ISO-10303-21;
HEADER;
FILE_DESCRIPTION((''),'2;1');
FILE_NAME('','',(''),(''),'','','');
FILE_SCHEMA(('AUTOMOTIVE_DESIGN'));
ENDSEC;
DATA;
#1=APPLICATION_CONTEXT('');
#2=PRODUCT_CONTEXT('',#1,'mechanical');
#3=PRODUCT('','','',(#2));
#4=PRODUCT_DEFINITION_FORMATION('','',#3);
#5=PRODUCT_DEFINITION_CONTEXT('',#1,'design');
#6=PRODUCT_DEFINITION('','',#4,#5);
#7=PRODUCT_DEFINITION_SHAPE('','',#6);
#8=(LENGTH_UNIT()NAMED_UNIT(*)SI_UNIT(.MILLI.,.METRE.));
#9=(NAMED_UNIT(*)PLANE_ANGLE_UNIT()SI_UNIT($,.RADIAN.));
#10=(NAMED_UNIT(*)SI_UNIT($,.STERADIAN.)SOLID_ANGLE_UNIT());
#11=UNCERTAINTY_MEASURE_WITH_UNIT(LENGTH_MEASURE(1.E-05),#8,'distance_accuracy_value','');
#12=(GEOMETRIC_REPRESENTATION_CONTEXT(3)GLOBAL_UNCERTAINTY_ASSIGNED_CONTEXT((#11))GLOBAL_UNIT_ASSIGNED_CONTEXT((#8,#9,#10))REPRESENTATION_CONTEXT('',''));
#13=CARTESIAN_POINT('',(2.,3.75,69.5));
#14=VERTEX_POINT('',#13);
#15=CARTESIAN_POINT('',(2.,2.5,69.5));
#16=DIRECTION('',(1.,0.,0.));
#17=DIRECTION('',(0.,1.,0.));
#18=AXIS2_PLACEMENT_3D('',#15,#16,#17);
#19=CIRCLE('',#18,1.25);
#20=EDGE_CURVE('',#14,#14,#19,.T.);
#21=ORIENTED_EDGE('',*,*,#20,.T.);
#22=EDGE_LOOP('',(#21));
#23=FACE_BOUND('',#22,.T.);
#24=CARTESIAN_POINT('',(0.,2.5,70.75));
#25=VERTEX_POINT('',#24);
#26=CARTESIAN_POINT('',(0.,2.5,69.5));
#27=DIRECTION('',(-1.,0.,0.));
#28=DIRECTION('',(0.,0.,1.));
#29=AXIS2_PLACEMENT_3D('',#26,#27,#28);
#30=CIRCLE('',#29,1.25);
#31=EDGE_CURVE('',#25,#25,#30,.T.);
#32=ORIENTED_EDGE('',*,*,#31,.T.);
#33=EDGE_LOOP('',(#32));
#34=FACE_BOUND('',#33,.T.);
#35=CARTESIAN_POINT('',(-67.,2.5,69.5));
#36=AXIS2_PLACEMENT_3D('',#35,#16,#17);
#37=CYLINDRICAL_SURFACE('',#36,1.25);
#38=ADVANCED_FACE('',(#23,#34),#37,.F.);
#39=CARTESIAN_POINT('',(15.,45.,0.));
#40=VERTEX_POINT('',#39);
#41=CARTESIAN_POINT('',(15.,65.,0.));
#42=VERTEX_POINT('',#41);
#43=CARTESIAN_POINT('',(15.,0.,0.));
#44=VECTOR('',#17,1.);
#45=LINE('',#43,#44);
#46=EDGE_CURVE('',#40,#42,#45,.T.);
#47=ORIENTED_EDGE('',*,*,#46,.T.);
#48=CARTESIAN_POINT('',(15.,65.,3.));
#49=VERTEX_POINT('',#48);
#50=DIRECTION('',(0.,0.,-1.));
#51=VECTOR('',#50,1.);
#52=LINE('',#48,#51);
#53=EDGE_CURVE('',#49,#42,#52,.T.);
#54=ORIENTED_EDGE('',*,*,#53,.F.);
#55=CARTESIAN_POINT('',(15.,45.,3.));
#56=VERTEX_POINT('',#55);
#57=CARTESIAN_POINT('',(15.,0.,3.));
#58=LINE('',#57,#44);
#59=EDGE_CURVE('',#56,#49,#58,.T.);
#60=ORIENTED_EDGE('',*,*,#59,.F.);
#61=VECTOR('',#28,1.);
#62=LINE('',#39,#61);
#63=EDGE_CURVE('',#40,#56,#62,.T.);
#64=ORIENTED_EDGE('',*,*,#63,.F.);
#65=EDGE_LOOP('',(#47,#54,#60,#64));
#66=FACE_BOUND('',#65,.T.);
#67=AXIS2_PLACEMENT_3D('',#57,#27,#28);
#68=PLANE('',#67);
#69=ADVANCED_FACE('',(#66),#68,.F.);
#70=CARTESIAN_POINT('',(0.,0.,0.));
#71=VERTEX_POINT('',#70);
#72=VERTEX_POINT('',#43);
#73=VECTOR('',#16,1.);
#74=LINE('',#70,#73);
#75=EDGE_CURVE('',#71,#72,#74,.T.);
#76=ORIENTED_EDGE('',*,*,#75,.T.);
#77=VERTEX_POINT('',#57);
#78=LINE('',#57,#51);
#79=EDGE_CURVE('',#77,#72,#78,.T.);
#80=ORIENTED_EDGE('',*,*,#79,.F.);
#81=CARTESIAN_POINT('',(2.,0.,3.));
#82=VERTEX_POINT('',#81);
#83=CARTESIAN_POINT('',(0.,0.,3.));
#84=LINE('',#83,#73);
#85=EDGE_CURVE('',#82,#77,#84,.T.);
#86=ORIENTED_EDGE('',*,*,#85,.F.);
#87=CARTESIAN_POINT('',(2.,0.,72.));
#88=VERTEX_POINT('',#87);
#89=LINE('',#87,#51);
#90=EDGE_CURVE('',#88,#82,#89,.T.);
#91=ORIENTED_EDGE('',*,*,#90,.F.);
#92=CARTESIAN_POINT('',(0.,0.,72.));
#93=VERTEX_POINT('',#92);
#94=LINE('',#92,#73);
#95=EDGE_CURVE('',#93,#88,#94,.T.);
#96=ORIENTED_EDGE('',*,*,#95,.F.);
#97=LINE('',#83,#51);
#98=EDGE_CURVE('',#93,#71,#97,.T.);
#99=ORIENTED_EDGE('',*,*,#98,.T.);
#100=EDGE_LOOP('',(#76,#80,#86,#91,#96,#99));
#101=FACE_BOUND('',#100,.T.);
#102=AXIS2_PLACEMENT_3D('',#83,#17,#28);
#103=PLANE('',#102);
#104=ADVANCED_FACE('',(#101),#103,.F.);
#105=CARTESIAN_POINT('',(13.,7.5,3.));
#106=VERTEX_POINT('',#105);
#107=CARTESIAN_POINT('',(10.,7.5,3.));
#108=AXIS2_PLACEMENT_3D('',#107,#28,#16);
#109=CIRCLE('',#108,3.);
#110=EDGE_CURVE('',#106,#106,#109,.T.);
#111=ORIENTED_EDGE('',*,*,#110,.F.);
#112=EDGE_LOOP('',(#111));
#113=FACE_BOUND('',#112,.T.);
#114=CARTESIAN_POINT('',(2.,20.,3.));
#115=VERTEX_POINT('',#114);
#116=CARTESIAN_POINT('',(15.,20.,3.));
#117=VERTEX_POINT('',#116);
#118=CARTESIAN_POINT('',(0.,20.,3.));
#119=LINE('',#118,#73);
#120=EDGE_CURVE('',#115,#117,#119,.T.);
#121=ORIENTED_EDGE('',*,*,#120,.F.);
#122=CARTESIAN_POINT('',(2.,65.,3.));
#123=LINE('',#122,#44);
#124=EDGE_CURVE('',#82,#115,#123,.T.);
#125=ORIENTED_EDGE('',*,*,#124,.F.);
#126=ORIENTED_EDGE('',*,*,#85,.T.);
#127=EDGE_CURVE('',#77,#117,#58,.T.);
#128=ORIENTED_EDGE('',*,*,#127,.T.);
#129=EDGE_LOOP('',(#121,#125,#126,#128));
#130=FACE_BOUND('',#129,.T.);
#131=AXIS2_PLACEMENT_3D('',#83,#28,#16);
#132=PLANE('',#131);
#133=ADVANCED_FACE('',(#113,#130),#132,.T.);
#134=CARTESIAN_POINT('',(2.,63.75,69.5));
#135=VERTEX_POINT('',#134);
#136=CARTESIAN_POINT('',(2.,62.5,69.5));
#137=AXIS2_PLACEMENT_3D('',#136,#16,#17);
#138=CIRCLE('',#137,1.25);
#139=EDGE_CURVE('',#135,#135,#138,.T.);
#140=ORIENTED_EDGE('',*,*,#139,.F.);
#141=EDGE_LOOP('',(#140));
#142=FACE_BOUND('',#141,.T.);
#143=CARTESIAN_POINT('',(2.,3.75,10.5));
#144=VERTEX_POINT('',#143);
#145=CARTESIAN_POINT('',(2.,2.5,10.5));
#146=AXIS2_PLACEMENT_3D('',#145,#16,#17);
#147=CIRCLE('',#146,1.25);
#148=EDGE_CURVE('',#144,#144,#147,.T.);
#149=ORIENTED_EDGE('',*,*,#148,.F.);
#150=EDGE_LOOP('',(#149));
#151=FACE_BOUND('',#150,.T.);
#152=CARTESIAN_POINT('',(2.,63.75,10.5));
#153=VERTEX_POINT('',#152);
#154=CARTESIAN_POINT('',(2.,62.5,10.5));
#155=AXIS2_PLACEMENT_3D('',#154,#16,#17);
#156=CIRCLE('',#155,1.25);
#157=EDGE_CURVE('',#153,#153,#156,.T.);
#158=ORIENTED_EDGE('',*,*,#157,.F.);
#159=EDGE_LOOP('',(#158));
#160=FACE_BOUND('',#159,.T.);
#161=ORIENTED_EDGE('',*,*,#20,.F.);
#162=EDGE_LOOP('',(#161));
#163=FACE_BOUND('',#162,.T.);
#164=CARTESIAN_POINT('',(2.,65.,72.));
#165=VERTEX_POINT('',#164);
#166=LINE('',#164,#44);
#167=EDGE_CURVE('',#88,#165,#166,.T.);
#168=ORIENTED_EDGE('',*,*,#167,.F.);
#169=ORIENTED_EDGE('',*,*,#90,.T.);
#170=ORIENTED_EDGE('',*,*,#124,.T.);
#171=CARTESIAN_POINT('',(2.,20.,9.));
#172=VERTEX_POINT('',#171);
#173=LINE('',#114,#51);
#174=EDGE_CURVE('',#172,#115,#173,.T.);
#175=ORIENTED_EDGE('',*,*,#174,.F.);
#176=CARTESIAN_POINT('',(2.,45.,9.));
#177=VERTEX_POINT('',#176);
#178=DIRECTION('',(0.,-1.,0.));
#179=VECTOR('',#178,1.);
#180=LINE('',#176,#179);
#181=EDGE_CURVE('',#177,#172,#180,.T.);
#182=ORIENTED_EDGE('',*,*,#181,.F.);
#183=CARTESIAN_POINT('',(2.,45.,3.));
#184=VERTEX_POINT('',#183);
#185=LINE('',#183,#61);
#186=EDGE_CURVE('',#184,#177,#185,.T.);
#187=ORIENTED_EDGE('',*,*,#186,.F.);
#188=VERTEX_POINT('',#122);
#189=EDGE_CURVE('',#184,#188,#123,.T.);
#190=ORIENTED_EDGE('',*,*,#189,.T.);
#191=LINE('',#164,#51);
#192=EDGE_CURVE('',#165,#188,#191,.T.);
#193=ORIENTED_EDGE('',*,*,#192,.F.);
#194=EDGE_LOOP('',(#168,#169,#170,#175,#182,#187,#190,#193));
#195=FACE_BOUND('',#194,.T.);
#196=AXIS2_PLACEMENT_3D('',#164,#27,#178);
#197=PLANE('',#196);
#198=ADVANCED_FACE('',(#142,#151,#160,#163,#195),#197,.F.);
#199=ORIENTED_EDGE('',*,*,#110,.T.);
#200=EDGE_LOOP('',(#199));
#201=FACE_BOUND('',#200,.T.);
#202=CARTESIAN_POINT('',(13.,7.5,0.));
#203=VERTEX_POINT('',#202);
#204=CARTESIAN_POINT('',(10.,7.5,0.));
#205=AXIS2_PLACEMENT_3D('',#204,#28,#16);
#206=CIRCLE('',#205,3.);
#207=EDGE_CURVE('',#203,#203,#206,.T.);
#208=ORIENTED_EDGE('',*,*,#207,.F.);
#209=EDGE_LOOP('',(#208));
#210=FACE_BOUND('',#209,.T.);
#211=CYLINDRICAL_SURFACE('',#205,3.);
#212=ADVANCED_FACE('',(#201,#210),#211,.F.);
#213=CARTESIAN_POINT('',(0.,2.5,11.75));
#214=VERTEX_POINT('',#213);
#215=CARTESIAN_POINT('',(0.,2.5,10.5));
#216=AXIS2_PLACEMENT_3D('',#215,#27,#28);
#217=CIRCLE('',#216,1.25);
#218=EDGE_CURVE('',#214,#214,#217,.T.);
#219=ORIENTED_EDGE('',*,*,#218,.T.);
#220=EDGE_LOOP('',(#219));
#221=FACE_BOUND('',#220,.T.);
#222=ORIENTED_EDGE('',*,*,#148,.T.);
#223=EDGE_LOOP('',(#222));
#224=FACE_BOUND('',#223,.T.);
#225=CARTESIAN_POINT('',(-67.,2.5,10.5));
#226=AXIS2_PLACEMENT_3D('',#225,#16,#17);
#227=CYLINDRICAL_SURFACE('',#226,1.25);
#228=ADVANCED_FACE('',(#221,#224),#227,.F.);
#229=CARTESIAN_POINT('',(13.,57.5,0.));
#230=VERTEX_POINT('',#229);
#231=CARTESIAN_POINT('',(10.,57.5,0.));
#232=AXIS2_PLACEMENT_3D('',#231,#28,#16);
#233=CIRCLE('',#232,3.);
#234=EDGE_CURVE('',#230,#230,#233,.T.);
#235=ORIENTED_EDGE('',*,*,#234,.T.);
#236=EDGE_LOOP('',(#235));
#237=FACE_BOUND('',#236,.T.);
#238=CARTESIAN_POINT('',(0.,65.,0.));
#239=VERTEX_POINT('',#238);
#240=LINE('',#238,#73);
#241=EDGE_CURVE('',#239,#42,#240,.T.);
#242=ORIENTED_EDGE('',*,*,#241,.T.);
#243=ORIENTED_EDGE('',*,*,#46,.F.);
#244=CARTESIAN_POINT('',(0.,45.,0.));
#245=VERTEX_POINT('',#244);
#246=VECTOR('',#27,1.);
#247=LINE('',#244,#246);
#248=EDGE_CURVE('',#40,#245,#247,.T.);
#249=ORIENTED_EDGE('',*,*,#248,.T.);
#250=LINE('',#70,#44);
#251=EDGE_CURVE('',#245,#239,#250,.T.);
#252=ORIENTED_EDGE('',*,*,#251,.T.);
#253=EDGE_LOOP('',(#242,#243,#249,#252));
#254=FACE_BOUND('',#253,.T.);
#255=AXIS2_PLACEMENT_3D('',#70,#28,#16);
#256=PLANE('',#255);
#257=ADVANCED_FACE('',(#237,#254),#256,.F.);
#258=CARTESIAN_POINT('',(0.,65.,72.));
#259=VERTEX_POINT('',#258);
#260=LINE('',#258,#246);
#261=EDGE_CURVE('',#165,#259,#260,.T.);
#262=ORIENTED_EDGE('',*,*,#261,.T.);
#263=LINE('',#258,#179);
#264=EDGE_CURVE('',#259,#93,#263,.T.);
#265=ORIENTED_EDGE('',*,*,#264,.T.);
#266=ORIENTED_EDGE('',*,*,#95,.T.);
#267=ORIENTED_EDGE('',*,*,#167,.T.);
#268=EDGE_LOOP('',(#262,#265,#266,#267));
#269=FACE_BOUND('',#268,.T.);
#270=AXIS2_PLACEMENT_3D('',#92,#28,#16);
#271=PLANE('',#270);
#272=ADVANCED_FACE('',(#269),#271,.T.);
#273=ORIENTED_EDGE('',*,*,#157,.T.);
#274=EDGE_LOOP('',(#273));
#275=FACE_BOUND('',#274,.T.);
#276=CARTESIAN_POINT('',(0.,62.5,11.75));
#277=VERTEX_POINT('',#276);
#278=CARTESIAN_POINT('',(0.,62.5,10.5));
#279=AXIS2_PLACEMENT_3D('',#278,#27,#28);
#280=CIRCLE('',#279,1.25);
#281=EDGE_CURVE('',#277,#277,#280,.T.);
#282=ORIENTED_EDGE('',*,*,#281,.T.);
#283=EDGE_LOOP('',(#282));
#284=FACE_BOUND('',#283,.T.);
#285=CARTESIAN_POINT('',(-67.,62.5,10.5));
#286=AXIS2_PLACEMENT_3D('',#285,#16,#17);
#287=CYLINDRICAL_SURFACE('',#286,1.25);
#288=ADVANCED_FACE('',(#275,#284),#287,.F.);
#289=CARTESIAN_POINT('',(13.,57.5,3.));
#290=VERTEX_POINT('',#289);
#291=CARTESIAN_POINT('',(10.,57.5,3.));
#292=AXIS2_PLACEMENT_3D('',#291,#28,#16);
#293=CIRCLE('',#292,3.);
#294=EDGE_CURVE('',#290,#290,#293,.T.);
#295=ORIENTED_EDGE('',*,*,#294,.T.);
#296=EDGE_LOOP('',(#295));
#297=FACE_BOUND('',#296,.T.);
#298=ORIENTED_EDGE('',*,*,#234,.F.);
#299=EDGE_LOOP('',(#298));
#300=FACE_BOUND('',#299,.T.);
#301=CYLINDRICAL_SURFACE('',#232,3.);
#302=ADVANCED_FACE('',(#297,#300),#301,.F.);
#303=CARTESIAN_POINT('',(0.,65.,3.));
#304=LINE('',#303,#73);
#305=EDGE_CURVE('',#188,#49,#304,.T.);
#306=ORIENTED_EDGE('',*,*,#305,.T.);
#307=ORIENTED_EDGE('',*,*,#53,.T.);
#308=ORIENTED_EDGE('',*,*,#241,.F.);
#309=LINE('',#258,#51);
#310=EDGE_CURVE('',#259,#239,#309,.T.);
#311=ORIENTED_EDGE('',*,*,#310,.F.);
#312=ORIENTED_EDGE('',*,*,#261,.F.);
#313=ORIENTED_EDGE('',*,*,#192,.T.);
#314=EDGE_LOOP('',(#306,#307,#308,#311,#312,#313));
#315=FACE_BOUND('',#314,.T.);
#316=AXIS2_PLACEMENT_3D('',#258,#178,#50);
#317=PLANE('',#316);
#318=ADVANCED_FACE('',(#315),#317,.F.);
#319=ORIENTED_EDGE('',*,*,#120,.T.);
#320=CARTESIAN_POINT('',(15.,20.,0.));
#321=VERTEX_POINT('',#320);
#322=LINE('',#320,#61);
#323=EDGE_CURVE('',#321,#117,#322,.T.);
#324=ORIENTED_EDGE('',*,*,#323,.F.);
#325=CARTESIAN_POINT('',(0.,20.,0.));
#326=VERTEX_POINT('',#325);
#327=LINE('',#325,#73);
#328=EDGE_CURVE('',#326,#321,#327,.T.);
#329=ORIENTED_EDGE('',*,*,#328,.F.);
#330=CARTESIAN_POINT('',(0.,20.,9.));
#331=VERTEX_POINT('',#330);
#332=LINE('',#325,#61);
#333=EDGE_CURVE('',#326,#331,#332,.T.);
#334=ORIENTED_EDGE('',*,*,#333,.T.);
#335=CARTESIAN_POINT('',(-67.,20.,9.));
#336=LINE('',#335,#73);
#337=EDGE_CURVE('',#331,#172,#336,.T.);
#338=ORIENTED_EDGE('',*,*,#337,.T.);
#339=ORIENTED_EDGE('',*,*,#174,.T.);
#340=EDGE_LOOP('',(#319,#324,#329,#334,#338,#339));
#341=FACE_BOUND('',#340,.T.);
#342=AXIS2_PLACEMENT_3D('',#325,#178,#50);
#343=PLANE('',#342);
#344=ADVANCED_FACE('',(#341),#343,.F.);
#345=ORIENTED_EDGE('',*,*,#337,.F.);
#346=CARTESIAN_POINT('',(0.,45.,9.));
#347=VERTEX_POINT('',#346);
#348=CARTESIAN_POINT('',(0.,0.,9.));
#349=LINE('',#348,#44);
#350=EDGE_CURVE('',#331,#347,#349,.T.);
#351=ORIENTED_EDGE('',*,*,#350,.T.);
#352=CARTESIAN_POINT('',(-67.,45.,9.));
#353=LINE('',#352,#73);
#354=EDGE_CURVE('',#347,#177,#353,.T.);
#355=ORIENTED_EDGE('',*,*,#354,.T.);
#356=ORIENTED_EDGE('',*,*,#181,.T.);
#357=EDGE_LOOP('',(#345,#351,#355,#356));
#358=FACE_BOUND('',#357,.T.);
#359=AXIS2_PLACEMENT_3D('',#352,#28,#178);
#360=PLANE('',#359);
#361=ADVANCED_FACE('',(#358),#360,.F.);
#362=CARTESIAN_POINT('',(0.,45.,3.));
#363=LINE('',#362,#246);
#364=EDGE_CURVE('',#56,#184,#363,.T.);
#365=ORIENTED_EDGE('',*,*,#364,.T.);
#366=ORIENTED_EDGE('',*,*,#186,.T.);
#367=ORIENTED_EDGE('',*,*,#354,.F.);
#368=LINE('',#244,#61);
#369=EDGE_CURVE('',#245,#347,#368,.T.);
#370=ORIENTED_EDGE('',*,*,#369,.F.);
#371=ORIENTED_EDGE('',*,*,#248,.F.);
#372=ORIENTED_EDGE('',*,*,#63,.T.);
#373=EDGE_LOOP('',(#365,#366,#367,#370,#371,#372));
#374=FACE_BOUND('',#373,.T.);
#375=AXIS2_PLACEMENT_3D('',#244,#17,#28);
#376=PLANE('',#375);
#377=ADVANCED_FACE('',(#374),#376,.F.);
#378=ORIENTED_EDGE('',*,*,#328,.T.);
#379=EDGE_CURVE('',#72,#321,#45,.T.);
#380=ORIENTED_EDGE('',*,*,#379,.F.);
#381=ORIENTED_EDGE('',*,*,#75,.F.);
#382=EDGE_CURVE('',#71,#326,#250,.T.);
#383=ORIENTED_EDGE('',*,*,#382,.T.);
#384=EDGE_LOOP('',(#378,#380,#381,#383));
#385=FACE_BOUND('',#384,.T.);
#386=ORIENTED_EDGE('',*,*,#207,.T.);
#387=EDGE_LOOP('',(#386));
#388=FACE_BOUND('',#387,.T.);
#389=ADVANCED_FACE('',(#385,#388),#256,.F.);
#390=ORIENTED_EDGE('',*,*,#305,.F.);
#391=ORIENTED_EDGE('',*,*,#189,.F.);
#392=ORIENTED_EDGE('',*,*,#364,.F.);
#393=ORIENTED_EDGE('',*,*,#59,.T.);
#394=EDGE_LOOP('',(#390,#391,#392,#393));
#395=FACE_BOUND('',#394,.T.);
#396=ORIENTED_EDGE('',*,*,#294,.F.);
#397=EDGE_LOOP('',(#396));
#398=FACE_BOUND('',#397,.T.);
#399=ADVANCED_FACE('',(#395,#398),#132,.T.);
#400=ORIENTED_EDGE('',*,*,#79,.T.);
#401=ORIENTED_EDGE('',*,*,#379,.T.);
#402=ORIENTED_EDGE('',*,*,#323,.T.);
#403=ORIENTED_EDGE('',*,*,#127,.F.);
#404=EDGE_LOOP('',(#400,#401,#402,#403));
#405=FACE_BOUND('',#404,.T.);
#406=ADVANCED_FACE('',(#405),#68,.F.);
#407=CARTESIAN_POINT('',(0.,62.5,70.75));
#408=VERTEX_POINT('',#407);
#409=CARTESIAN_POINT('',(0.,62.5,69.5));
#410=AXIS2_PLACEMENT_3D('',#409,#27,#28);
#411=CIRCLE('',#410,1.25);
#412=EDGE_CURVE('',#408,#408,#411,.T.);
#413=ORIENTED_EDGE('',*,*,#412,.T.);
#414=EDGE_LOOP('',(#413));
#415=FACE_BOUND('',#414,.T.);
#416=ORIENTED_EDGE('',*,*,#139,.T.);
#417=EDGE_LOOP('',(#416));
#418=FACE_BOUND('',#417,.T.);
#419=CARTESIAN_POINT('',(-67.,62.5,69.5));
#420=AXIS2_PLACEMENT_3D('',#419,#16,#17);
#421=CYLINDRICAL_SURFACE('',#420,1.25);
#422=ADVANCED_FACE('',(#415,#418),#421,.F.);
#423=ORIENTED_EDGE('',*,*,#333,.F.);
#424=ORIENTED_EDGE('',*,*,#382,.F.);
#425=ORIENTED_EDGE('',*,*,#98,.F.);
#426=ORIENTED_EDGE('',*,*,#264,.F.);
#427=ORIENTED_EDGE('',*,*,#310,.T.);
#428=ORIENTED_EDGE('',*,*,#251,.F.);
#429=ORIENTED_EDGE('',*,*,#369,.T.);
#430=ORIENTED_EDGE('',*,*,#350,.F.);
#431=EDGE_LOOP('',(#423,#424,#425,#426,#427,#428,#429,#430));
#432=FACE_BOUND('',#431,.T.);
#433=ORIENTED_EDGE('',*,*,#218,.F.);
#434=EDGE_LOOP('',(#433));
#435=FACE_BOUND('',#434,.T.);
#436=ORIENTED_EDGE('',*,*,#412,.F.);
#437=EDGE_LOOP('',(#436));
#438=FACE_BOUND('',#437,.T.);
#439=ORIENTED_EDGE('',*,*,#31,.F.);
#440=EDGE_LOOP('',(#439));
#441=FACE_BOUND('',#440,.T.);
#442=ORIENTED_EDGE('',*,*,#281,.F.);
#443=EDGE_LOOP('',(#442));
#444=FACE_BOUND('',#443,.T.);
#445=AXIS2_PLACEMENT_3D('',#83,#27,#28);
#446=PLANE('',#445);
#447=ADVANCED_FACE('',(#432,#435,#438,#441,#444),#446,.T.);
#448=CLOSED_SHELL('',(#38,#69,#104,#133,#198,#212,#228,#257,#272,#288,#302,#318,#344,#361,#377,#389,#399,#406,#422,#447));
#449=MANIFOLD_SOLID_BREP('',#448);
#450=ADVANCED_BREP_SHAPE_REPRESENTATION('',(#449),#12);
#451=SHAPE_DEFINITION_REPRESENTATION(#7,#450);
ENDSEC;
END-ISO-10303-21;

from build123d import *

# Parameters (mm, degrees)
SKETCH_1_W          = 15
SKETCH_1_H          = 65
EXTRUDE_1_DEPTH     = 3
SKETCH_2_R          = 3
SKETCH_2_W          = 15
SKETCH_2_H          = 25
CUT_EXTRUDE_1_DEPTH = 3
SKETCH_4_W          = 2
SKETCH_4_H          = 65
EXTRUDE_2_DEPTH     = 69
SKETCH_5_W          = 6
SKETCH_5_H          = 25
CUT_EXTRUDE_2_DEPTH = 69
SKETCH_6_R          = 1.25
CUT_EXTRUDE_3_DEPTH = 69


with BuildPart() as part:
    # 草圖1 → 填料-伸長1 (new body)
    with BuildSketch(Plane.XY):
        with Locations((7.5, 32.5)):
            Rectangle(SKETCH_1_W, SKETCH_1_H)
    extrude(amount=EXTRUDE_1_DEPTH)

    # 草圖2 → 除料-伸長1 (cut)
    with BuildSketch(Plane.XY.offset(3)):
        with Locations((10, 57.5)):
            Circle(SKETCH_2_R)
        with Locations((10, 7.5)):
            Circle(SKETCH_2_R)
        with Locations((7.5, 32.5)):
            Rectangle(SKETCH_2_W, SKETCH_2_H)
    extrude(amount=-CUT_EXTRUDE_1_DEPTH, mode=Mode.SUBTRACT)


with BuildPart() as cut_extrude_1_piece_1:
    # of the separate pieces the step leaves, piece 1, a body of its own (cut_extrude_1_pieces)
    add(part.part.solids().sort_by_distance((0, 0, 0))[0])



with BuildPart() as cut_extrude_1_piece_2:
    # of the separate pieces the step leaves, piece 2, a body of its own (cut_extrude_1_pieces)
    add(part.part.solids().sort_by_distance((0, 65, 0))[0])


with BuildPart() as cut_extrude_1_piece_1_1:
    add(cut_extrude_1_piece_1.part)

    add(cut_extrude_1_piece_2.part)  # 填料-伸長2 merges 除料-伸長1 piece 2
    # 草圖4 → 填料-伸長2 (add)
    with BuildSketch(Plane.XY.offset(3)):
        with Locations((1, 32.5)):
            Rectangle(SKETCH_4_W, SKETCH_4_H)
    extrude(amount=EXTRUDE_2_DEPTH)

    # 草圖5 → 除料-伸長2 (cut)
    with BuildSketch(Plane(origin=(2, 0, 0), x_dir=(0, 0, -1), z_dir=(1, 0, 0))):
        with Locations((-6, 32.5)):
            Rectangle(SKETCH_5_W, SKETCH_5_H)
    extrude(amount=-CUT_EXTRUDE_2_DEPTH, mode=Mode.SUBTRACT)

    # 草圖6 → 除料-伸長3 (cut)
    with BuildSketch(Plane(origin=(2, 0, 0), x_dir=(0, 0, -1), z_dir=(1, 0, 0))):
        with Locations(Location((-69.5, 62.5, 0), (0, 0, 90))):
            Circle(SKETCH_6_R)
        with Locations(Location((-10.5, 62.5, 0), (0, 0, 90))):
            Circle(SKETCH_6_R)
        with Locations(Location((-69.5, 2.5, 0), (0, 0, 90))):
            Circle(SKETCH_6_R)
        with Locations(Location((-10.5, 2.5, 0), (0, 0, 90))):
            Circle(SKETCH_6_R)
    extrude(amount=-CUT_EXTRUDE_3_DEPTH, mode=Mode.SUBTRACT)


solid = cut_extrude_1_piece_1_1.part
